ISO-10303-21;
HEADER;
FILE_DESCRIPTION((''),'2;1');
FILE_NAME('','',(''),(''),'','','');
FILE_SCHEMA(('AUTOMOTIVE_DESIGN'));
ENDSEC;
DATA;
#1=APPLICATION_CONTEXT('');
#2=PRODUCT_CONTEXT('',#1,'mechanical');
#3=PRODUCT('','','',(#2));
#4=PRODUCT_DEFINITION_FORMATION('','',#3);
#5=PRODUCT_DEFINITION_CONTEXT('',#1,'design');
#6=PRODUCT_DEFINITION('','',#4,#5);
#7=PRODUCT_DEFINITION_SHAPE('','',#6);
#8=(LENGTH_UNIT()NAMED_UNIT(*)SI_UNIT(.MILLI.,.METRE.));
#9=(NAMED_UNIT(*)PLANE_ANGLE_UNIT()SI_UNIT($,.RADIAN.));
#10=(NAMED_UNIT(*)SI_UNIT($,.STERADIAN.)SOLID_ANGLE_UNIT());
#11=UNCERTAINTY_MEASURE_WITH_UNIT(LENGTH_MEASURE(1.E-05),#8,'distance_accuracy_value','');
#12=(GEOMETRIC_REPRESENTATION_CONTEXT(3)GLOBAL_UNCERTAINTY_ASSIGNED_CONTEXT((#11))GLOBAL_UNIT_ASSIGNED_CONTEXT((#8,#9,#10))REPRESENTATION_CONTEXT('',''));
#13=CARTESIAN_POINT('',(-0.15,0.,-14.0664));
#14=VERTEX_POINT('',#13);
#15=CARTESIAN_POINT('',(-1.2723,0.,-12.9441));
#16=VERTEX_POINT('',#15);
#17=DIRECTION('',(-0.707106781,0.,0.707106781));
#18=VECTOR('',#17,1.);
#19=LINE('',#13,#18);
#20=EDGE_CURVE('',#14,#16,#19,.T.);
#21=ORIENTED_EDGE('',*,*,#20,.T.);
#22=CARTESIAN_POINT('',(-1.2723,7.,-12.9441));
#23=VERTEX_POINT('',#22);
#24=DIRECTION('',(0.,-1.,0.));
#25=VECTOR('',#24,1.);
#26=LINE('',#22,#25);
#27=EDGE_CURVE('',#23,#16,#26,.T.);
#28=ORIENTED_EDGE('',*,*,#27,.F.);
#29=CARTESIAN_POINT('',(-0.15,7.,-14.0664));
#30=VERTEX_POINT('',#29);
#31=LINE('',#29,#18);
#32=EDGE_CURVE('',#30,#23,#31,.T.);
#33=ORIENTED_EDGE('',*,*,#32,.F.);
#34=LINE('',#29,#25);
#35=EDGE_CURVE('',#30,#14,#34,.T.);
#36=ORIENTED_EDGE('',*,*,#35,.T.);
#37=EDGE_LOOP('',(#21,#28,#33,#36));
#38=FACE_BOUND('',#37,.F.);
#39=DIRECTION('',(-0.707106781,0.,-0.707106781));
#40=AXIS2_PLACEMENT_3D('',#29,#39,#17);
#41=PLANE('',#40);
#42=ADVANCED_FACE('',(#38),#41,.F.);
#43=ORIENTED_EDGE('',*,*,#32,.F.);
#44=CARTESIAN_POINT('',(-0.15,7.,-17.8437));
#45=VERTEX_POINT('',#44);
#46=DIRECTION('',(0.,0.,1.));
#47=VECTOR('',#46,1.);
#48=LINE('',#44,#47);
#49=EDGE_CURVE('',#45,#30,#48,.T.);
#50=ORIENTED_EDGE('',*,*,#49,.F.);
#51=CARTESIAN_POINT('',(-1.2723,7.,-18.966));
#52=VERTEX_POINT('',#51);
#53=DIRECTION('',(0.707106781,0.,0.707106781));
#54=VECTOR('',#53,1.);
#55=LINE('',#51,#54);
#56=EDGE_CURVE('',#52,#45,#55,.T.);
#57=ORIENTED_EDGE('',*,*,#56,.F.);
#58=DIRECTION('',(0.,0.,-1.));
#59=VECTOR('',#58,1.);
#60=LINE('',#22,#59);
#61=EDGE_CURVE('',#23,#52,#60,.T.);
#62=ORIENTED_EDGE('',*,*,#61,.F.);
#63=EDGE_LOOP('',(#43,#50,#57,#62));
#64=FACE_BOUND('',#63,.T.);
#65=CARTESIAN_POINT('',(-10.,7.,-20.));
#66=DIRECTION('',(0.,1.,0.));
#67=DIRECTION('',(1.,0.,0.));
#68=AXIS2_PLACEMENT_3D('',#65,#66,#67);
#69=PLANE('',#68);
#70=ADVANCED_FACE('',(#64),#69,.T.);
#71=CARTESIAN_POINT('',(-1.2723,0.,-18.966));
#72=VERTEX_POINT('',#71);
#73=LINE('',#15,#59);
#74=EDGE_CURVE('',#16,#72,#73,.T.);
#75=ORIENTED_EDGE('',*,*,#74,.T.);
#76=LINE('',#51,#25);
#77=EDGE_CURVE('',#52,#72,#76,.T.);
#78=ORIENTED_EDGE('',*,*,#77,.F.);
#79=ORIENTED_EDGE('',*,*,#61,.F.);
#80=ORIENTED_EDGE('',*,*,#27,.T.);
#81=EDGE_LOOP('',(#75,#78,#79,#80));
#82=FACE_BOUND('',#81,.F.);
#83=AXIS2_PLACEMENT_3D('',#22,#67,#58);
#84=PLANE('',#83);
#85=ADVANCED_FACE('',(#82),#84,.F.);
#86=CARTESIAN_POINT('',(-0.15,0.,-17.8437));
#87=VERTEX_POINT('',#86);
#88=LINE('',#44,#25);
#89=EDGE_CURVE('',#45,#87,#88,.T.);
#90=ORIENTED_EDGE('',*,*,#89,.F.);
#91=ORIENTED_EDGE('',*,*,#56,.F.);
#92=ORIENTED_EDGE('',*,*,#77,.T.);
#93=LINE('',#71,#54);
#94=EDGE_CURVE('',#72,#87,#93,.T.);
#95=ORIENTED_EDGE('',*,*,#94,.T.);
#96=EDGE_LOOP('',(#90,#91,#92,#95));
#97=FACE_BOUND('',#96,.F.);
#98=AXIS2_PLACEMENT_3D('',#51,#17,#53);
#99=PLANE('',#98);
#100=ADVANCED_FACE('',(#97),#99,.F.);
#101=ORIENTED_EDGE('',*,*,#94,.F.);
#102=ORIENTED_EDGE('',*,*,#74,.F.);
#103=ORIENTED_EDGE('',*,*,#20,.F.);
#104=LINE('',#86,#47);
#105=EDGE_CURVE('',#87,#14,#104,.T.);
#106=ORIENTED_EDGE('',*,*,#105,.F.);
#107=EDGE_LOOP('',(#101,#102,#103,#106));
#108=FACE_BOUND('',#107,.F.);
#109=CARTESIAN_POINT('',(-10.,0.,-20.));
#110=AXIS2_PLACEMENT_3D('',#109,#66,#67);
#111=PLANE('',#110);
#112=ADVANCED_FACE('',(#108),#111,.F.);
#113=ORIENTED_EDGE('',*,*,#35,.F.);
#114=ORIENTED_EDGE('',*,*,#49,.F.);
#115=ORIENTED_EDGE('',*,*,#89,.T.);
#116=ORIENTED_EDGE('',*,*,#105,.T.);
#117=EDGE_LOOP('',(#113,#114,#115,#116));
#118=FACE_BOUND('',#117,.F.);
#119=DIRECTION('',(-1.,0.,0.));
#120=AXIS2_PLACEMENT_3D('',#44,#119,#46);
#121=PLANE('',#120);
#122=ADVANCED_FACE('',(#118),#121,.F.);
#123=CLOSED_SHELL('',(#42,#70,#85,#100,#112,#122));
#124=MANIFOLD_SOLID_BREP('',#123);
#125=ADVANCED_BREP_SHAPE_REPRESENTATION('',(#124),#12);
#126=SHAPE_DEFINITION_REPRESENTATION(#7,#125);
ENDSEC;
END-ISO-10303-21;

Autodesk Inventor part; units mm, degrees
ref_plane "YZ Plane" through (0, 0, 0) normal (1, 0, 0) x (0, 1, 0)
ref_plane "XZ Plane" through (0, 0, 0) normal (0, 1, 0) x (-1, 0, 0)
ref_plane "XY Plane" through (0, 0, 0) normal (0, 0, 1) x (1, 0, 0)
ref_plane "Work Plane1" through (-10, 7, -20) normal (0, 1, 0) x (1, 0, 0)
sketch "Sketch3" plane through (-10, 7, -20) normal (0, 1, 0) x (1, 0, 0)
  line L0 (10, -5.9957) -> (8.5777, -7.418) projected
  line L1 (8.5777, -7.418) -> (8.5777, -0.6718) projected
  line L2 (8.5777, -0.6718) -> (10, -2.0942) projected
  line L3 (10, -5.9957) -> (10, -2.0942)
  line L4 (10, -5.9957) -> (8.5777, -7.418)
  line L5 (8.5777, -0.6718) -> (10, -2.0942)
  line L6 (8.5777, -7.418) -> (8.5777, -0.6718)
  line L7 (9.85, -2.1563) -> (9.85, -5.9336)
  line L8 (9.85, -5.9336) -> (8.7277, -7.0559)
  line L9 (8.7277, -7.0559) -> (8.7277, -1.034)
  line L10 (8.7277, -1.034) -> (9.85, -2.1563)
  point P0 (10, -20)
  dimension "d1" = 0.15
extrude "Extrusion1" add sketch "Sketch3" against normal blind 7 contours L7 L8 L9 L10
properties part number "last_drill_slide_tolerance"
